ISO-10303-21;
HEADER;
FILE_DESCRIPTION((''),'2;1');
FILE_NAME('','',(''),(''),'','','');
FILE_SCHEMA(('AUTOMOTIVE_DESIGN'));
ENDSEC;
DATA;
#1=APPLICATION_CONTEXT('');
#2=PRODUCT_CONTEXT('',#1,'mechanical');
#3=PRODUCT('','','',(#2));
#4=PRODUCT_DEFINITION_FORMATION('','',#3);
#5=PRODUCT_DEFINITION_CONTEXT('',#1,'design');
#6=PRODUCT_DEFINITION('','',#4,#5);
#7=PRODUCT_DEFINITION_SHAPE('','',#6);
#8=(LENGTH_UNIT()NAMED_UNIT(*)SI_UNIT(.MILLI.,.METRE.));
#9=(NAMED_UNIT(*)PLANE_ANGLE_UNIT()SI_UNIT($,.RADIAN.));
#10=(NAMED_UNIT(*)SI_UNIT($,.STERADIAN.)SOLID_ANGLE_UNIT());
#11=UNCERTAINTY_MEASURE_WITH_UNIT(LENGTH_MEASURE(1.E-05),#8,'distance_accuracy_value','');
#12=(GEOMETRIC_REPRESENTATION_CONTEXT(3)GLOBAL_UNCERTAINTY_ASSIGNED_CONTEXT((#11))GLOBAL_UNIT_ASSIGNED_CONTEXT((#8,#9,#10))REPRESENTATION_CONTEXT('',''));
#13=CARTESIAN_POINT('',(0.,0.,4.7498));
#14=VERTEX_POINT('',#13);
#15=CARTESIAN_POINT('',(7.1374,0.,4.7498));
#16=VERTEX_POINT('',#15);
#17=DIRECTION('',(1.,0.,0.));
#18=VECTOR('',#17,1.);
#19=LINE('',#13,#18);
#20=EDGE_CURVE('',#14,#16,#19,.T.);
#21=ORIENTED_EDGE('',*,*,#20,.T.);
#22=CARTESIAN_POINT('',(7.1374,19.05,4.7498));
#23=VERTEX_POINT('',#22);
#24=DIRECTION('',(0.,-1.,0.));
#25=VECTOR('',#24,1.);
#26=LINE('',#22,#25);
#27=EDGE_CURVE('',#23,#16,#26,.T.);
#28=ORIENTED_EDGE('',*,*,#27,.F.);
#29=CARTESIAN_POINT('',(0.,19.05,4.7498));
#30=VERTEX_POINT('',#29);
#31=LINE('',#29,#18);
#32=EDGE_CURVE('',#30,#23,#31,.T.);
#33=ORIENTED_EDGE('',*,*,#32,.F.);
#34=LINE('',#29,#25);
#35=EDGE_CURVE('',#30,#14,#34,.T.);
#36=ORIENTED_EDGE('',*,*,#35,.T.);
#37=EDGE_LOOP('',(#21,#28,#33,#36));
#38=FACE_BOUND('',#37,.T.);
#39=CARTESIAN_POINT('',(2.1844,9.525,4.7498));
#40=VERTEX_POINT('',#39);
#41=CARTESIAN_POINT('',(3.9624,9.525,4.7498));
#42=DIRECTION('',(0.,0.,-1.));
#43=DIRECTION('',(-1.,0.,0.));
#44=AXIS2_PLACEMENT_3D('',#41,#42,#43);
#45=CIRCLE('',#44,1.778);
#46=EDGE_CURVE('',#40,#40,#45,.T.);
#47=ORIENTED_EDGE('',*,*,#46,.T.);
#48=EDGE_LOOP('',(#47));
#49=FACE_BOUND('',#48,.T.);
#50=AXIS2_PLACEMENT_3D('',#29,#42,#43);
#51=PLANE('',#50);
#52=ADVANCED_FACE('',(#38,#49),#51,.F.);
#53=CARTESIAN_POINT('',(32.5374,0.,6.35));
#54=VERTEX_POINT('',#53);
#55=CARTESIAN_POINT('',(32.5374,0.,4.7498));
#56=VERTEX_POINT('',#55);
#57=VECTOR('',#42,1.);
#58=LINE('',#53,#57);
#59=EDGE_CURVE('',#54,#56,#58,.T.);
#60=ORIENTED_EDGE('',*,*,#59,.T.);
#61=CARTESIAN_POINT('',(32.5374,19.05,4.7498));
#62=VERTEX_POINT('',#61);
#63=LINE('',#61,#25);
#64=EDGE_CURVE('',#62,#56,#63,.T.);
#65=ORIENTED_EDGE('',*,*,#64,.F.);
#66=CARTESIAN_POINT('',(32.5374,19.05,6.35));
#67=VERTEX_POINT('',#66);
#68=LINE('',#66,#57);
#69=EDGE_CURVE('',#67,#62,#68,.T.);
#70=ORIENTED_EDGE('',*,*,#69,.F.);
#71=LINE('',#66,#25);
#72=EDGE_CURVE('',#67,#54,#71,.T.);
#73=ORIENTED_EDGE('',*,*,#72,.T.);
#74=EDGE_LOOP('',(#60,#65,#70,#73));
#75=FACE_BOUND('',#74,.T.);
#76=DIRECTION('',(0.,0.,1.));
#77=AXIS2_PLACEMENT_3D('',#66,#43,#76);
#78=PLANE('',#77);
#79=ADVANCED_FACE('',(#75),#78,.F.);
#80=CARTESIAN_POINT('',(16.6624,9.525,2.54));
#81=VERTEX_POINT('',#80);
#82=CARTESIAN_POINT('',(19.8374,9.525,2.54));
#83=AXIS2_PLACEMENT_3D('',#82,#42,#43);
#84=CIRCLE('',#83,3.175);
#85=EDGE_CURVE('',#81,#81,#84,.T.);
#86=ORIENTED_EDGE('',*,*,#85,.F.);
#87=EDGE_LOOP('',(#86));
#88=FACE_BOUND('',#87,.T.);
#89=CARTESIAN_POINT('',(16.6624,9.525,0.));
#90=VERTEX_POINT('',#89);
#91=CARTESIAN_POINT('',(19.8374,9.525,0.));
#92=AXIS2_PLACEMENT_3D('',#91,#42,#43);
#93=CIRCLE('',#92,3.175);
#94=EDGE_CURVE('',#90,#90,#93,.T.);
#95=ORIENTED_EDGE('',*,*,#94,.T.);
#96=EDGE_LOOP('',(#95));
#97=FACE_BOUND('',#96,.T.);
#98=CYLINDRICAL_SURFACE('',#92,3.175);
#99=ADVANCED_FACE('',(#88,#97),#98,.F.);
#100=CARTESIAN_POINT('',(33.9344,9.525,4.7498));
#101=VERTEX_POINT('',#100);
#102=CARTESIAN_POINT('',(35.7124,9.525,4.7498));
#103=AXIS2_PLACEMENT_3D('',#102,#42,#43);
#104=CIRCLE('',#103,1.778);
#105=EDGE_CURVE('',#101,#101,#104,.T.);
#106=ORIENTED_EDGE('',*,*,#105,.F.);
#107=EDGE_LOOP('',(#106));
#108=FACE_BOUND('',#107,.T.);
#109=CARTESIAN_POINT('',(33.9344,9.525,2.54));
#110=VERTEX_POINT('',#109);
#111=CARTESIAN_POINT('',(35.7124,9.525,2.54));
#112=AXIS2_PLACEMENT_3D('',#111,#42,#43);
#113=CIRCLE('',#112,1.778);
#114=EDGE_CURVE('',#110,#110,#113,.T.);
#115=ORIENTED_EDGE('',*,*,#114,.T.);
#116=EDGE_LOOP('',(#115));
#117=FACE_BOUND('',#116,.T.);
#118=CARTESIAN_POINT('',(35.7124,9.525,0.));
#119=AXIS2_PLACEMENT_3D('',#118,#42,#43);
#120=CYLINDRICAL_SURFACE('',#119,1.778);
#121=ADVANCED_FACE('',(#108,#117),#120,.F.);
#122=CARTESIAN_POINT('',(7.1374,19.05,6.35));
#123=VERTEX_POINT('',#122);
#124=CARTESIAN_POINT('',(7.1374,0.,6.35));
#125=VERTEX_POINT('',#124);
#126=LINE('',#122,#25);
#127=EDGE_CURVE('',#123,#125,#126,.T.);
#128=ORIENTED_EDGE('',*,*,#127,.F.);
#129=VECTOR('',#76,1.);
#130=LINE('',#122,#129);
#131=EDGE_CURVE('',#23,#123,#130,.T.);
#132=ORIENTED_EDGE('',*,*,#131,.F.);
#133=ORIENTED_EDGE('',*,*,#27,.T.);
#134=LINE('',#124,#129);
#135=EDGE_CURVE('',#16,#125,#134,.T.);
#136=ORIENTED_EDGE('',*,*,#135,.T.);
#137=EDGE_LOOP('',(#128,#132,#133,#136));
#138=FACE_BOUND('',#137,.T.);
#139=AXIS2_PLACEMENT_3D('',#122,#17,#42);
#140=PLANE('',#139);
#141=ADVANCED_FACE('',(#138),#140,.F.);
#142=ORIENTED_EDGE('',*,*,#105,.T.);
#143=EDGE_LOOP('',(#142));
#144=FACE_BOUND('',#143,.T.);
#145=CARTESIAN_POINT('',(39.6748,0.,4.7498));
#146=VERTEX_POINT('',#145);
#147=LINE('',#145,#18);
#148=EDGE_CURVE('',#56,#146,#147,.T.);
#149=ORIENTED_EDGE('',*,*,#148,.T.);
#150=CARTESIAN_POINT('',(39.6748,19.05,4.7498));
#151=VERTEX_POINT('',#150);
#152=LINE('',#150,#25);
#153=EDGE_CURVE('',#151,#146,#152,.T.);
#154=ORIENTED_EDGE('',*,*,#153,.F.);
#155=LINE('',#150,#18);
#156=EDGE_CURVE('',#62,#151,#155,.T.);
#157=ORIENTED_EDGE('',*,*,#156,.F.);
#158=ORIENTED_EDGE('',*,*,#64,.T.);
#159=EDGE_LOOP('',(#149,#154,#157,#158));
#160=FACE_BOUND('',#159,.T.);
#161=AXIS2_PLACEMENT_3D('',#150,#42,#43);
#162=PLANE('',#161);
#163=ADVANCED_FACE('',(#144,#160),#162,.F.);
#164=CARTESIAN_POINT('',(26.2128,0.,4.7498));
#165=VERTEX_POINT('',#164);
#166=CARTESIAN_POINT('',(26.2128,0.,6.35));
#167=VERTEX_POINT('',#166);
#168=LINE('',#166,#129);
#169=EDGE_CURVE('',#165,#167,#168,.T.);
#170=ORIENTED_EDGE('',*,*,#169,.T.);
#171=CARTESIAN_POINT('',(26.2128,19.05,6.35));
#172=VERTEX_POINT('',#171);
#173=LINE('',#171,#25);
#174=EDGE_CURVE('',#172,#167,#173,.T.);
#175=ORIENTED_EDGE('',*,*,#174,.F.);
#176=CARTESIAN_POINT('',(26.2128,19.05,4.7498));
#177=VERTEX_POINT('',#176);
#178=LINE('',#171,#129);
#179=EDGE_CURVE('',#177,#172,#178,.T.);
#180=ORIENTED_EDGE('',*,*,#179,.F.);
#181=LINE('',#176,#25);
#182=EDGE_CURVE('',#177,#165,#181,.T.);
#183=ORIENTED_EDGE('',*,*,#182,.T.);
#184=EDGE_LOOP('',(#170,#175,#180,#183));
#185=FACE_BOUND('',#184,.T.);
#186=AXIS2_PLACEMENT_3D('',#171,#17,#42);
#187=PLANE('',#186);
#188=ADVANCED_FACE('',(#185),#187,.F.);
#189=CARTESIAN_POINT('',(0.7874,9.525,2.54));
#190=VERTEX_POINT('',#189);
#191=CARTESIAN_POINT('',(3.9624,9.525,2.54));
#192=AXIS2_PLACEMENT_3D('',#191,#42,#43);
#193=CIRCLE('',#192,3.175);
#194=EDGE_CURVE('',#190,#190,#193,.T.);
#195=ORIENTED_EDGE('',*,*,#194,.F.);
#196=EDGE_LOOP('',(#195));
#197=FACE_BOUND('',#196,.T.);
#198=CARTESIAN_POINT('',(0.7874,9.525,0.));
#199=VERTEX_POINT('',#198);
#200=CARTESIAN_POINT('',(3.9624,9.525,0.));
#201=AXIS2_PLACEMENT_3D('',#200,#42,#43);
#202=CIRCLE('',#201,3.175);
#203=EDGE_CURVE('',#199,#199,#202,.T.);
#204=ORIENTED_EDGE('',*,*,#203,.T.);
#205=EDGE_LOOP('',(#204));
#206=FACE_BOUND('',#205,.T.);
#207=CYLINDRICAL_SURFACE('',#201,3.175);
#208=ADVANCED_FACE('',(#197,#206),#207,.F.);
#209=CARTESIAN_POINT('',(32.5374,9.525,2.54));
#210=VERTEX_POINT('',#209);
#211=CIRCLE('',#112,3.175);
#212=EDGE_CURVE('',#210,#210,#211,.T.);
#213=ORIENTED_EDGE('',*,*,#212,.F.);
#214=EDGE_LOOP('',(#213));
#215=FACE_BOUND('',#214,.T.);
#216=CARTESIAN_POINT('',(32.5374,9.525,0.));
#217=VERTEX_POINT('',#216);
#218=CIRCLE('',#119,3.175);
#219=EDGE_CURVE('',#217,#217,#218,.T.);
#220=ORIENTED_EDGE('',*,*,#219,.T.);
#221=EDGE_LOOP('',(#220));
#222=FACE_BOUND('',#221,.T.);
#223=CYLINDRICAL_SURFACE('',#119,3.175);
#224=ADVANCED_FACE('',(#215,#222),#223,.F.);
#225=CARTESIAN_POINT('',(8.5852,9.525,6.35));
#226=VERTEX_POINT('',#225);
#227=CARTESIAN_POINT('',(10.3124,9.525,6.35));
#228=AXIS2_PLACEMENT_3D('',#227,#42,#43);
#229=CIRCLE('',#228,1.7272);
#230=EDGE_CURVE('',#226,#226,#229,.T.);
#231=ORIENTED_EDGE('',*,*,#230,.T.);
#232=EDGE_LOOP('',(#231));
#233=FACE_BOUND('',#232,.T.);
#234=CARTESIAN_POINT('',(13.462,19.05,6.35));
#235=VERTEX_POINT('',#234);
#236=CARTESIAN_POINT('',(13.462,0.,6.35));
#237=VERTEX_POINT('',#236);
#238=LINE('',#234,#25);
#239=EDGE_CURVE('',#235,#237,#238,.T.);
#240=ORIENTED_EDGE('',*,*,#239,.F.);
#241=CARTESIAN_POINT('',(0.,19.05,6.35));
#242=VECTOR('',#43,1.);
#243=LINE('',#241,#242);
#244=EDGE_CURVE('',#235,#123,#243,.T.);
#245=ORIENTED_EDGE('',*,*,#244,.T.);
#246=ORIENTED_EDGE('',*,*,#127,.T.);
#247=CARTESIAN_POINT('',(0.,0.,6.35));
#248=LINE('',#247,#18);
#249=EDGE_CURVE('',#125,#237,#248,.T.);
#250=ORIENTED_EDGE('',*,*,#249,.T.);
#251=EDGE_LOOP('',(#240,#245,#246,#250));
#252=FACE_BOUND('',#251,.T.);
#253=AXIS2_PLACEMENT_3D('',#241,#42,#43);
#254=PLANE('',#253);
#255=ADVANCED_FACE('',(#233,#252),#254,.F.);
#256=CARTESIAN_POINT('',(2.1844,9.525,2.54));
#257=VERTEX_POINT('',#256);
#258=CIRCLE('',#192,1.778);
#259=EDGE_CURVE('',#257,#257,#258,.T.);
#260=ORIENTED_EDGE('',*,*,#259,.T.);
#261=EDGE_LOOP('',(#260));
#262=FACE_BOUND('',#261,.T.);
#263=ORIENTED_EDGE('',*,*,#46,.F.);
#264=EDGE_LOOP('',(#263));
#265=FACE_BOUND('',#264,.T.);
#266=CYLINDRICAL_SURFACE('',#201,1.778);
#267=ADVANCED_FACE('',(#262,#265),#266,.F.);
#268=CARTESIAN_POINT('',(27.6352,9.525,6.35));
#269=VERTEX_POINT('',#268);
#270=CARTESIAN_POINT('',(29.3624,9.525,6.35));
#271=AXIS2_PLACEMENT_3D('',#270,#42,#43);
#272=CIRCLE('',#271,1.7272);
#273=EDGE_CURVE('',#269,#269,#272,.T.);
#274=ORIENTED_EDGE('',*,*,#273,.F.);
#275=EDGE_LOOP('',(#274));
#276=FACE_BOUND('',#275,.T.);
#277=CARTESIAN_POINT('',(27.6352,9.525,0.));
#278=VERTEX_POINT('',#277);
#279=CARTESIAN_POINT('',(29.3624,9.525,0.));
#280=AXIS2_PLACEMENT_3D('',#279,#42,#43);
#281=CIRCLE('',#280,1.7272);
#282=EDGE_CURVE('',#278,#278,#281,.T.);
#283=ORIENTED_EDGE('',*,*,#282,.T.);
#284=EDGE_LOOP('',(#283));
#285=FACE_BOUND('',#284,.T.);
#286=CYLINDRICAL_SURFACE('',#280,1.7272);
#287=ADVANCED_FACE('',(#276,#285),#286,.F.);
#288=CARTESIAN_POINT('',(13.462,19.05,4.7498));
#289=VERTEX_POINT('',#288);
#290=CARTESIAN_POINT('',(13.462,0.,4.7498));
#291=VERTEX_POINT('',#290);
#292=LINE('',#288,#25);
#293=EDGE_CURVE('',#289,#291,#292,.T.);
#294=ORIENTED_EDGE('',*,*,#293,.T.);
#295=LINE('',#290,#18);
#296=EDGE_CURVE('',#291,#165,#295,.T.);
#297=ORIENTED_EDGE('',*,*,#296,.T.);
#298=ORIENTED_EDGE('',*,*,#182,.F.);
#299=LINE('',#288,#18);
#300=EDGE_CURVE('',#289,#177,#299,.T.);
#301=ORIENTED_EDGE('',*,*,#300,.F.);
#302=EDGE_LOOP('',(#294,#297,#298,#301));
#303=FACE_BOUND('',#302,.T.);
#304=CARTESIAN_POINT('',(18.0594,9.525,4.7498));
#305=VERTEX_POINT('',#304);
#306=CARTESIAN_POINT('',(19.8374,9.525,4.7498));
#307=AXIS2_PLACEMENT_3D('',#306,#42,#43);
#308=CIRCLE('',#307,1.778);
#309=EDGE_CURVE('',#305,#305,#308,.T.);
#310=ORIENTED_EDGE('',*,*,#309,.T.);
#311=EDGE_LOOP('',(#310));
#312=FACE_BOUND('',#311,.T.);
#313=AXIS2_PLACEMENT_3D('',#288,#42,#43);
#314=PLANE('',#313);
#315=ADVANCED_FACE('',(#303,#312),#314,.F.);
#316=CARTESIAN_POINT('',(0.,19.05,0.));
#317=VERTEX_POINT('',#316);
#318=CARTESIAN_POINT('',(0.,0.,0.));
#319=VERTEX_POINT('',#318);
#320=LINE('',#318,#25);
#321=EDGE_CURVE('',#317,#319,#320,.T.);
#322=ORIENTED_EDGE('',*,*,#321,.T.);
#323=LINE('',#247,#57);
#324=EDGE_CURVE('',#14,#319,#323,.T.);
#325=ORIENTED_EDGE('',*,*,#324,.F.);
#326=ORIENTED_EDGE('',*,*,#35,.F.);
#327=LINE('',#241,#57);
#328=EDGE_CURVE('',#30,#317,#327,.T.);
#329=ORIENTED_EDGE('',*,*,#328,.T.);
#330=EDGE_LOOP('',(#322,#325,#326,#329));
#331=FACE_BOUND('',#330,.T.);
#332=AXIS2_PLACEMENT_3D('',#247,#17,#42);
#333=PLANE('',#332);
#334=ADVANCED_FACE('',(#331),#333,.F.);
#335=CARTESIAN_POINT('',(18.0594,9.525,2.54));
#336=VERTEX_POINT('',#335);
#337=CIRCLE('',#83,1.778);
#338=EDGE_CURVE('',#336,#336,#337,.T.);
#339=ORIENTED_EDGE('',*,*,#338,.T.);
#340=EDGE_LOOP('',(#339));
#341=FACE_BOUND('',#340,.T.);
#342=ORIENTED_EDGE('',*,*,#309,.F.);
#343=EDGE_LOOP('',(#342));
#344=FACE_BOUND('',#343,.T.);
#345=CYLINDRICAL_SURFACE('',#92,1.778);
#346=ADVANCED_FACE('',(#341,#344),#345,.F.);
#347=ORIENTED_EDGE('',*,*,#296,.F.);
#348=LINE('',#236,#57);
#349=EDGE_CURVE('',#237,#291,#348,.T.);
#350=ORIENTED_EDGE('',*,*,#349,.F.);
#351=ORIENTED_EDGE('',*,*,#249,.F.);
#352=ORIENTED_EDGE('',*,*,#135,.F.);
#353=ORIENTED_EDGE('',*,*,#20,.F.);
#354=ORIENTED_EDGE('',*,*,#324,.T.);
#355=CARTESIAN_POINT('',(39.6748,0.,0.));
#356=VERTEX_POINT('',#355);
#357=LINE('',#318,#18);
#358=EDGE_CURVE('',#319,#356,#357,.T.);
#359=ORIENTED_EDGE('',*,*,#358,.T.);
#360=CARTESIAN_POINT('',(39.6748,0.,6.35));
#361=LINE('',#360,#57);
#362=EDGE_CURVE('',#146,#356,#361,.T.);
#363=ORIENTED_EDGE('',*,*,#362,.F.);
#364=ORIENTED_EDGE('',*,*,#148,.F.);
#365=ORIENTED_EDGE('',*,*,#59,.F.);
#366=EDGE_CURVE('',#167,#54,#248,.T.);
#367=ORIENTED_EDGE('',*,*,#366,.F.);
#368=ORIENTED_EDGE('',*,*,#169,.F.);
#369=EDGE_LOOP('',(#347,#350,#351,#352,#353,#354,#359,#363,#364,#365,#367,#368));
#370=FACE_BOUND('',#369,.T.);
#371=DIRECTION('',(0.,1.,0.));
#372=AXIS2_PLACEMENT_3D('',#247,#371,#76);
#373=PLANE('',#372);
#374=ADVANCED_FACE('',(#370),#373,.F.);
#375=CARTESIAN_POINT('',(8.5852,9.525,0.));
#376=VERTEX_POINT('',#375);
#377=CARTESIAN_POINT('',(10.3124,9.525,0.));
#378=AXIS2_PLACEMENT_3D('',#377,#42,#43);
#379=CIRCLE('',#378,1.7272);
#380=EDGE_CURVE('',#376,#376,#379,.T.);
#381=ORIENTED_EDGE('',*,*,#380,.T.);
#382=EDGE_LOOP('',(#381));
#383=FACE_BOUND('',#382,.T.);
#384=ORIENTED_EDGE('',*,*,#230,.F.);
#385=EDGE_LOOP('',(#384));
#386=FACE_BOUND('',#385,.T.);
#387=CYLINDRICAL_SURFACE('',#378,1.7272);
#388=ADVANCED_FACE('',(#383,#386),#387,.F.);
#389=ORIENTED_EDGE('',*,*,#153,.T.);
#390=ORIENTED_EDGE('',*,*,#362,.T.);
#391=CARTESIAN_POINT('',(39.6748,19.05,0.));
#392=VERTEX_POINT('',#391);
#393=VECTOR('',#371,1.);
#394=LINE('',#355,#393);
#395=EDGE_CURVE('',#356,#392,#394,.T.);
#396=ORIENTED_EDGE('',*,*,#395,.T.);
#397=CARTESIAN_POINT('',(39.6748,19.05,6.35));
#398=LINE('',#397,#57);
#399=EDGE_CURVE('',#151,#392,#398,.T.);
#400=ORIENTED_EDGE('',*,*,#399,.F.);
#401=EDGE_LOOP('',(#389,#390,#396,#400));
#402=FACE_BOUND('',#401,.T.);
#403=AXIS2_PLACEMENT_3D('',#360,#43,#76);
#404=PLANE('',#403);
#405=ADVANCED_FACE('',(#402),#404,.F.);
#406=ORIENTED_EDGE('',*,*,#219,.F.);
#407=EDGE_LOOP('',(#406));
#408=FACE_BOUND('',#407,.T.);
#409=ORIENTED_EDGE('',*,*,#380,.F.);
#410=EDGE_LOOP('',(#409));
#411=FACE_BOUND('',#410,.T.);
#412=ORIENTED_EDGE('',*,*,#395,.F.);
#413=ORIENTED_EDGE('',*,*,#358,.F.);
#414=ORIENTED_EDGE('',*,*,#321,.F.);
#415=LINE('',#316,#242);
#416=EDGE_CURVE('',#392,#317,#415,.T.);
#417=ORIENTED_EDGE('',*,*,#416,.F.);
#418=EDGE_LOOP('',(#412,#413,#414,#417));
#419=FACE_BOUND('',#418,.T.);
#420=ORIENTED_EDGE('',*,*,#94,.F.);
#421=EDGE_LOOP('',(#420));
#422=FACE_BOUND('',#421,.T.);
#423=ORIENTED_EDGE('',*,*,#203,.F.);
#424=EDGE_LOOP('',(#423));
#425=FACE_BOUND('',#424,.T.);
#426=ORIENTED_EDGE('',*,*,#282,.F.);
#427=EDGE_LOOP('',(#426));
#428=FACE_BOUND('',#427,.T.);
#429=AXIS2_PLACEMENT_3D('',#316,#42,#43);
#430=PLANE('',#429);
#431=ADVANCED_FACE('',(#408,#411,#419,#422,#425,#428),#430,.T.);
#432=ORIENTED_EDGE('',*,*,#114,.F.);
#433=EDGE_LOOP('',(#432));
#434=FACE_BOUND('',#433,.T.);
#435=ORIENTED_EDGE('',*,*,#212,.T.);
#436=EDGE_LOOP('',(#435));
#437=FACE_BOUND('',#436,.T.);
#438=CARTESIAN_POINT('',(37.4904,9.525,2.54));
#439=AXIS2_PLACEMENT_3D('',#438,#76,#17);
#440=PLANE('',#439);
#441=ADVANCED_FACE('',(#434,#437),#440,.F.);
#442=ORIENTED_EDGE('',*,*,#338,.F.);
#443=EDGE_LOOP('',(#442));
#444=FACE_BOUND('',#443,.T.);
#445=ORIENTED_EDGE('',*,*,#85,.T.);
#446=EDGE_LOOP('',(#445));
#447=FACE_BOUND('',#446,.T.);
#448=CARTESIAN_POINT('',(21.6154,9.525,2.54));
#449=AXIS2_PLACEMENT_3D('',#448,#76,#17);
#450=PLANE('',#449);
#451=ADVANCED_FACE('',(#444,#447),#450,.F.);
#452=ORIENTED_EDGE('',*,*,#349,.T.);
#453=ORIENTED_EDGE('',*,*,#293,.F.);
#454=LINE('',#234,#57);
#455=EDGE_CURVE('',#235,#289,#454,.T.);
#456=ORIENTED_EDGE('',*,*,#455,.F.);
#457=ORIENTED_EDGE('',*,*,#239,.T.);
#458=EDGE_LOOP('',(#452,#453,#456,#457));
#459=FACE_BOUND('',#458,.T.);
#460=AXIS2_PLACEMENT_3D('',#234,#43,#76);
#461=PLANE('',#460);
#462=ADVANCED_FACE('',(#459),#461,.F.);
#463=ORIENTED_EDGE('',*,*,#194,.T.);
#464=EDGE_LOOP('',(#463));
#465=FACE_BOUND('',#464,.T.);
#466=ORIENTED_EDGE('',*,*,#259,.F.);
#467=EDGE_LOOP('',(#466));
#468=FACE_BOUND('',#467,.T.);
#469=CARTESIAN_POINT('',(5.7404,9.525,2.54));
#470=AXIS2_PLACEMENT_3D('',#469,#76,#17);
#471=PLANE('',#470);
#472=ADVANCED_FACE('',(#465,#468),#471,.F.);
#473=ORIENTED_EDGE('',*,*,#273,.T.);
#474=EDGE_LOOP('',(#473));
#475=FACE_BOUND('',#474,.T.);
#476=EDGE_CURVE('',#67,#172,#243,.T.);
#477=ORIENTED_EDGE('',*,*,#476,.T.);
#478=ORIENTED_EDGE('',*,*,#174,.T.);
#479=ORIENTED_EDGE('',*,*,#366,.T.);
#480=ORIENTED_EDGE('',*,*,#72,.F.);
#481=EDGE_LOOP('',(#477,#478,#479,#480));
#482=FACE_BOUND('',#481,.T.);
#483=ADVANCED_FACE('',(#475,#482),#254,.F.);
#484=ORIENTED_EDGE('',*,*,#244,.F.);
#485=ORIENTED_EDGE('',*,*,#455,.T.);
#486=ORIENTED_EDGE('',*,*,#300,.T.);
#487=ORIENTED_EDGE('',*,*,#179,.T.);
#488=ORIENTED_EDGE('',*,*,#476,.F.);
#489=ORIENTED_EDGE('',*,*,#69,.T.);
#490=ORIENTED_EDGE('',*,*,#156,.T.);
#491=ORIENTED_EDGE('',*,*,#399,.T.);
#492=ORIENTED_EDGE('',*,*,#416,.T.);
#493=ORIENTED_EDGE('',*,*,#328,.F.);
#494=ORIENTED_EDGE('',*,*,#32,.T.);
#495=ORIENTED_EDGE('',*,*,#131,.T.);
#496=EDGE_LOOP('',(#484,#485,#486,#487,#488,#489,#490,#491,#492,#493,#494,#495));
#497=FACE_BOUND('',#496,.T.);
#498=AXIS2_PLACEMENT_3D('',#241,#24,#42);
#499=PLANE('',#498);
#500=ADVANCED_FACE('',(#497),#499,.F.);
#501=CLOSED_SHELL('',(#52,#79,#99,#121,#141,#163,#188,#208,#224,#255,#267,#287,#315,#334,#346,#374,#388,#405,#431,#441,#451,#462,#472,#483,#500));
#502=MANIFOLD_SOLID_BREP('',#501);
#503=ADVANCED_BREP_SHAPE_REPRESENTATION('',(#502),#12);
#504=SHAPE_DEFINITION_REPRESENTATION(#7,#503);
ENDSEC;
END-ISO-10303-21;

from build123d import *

# Parameters (mm, degrees)
SKETCH1_W             = 39.6748
SKETCH1_H             = 19.05
EXTRUDE1_DEPTH        = 6.35
SKETCH2_W             = 7.1374
SKETCH2_H             = 1.6002
SKETCH2_W_2           = 12.7508
CUT_EXTRUDE1_DEPTH    = 20.05
HOLE1_D               = 3.556
HOLE1_CBORE_D         = 6.35
HOLE1_CBORE_DEPTH     = 2.54
F_8_32_TAPPED_HOLE1_D = 3.4544


with BuildPart() as part:
    # Sketch1 → Extrude1 (new body)
    with BuildSketch(Plane.XY):
        with Locations((19.8374, 9.525)):
            Rectangle(SKETCH1_W, SKETCH1_H)
    extrude(amount=EXTRUDE1_DEPTH)

    # Sketch2 → Cut-Extrude1 (cut, through all)
    with BuildSketch(Plane.XZ):
        with Locations((3.5687, 5.5499)):
            Rectangle(SKETCH2_W, SKETCH2_H)
        with Locations((19.8374, 5.5499)):
            Rectangle(SKETCH2_W_2, SKETCH2_H)
        with Locations((36.1061, 5.5499)):
            Rectangle(SKETCH2_W, SKETCH2_H)
    extrude(amount=-CUT_EXTRUDE1_DEPTH, mode=Mode.SUBTRACT)

    # Hole1 (through all)
    with Locations(Plane(origin=(0, 0, 0), x_dir=(-1, 0, 0), z_dir=(0, 0, -1))):
        with Locations((-3.9624, 9.525), (-19.8374, 9.525), (-35.7124, 9.525)):
            CounterBoreHole(HOLE1_D / 2, HOLE1_CBORE_D / 2, HOLE1_CBORE_DEPTH)

    # #8-32 Tapped Hole1 (through all)
    with Locations(Plane(origin=(0, 0, 0), x_dir=(-1, 0, 0), z_dir=(0, 0, -1))):
        with Locations((-10.3124, 9.525), (-29.3624, 9.525)):
            Hole(F_8_32_TAPPED_HOLE1_D / 2)


solid = part.part
